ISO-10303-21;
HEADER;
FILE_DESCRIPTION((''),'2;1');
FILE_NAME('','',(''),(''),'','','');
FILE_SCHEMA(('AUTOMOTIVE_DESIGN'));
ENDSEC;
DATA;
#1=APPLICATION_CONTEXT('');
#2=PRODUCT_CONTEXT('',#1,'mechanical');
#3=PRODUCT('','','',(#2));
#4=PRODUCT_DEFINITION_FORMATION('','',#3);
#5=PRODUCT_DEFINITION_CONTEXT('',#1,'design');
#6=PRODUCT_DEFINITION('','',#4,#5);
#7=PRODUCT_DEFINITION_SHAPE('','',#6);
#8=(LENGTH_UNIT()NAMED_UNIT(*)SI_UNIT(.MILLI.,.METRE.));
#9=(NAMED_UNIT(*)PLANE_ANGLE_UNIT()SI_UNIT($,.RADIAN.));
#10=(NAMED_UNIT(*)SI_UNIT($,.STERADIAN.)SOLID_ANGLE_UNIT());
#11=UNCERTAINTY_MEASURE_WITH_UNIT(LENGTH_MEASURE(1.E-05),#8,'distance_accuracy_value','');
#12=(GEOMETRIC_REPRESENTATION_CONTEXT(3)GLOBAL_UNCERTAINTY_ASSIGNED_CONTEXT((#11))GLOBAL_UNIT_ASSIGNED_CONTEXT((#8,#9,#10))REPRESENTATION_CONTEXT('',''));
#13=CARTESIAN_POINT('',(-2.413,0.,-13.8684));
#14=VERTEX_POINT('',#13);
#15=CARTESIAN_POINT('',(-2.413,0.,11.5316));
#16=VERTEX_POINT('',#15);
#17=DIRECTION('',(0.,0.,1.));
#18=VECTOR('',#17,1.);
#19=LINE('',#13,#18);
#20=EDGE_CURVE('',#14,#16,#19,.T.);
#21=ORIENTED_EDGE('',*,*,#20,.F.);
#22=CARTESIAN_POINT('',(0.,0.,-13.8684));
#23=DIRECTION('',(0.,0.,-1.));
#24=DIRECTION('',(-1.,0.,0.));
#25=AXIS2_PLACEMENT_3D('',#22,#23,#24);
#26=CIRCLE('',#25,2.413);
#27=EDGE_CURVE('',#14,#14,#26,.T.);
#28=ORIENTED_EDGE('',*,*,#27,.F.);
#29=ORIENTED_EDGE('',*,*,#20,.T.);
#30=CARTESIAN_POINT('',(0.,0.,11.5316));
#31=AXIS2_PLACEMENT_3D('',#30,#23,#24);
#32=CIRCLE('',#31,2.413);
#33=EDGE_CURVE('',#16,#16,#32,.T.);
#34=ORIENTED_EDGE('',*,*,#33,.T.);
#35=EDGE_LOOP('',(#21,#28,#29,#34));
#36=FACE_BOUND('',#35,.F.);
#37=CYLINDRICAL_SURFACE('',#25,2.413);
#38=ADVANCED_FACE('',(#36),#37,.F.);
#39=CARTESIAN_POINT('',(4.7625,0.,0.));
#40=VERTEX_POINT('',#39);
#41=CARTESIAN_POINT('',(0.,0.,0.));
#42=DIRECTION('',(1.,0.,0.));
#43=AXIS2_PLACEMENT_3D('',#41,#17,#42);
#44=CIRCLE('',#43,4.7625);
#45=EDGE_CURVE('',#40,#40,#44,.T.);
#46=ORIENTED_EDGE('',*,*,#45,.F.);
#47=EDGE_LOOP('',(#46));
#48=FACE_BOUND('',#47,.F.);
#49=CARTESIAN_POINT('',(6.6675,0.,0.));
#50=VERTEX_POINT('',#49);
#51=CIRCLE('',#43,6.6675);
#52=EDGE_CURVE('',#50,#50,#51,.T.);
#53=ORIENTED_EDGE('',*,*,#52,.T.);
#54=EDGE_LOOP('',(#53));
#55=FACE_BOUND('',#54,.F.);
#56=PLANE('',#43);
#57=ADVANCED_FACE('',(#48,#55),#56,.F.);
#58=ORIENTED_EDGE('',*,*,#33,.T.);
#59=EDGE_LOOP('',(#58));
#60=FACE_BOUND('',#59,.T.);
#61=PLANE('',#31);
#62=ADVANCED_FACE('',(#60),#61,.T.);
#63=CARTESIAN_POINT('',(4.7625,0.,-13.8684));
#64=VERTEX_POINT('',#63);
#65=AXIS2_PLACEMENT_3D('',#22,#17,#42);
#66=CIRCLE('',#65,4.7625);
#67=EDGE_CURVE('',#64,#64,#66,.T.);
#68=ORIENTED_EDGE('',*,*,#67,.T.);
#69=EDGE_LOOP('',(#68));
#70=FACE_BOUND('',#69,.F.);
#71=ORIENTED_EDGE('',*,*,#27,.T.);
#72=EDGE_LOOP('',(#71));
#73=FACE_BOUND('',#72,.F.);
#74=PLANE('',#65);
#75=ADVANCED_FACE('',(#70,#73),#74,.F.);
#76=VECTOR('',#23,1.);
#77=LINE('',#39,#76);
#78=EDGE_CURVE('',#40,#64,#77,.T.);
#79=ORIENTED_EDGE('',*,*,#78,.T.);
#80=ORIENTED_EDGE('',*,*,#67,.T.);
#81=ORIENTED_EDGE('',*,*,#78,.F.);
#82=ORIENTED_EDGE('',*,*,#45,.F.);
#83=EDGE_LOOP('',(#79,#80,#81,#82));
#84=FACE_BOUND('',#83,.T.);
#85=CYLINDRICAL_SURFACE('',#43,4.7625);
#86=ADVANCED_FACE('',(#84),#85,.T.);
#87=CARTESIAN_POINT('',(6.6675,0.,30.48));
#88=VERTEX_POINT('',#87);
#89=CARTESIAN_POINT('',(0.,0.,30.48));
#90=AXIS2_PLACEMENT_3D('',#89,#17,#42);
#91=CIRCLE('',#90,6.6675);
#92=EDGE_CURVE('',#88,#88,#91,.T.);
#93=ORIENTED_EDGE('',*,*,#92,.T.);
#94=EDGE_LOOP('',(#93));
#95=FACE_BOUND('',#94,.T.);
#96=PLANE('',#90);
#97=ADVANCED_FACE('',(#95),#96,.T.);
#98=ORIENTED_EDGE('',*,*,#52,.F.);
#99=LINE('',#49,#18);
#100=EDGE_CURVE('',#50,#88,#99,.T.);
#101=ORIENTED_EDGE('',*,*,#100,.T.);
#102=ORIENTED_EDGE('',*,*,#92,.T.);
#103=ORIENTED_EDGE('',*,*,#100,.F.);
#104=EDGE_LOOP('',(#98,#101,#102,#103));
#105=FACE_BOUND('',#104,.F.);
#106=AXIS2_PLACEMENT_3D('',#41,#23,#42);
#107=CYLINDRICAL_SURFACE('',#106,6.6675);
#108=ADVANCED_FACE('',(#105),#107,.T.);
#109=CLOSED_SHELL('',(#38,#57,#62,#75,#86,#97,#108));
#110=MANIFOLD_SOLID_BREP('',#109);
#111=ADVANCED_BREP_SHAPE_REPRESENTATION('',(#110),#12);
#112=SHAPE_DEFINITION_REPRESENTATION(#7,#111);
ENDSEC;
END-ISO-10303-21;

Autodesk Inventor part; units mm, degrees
ref_plane "YZ Plane" through (0, 0, 0) normal (1, 0, 0) x (0, 1, 0)
ref_plane "XZ Plane" through (0, 0, 0) normal (0, 1, 0) x (-1, 0, 0)
ref_plane "XY Plane" through (0, 0, 0) normal (0, 0, 1) x (1, 0, 0)
sketch "Sketch1" plane through (0, 0, 0) normal (0, 0, 1) x (1, 0, 0)
  circle A0 centre (0, 0) radius 6.6675
  circle A1 centre (0, 0) radius 4.7625
  dimension "d0" = 13.335
  dimension "d1" = 9.525
extrude "Extrusion1" add sketch "Sketch1" against normal blind 13.8684 contours A1
extrude "Extrusion2" add sketch "Sketch1" along normal blind 30.48 contours A0 | A1
thread "Thread1" size "3/8-20 UN" class "2A" standard "ANSI Unified Screw Threads" full length
sketch "Sketch2" plane through (0, 0, -13.8684) normal (0, 0, -1) x (-1, 0, 0)
  circle A0 centre (0, 0) radius 4.7625 projected
  circle A1 centre (0, 0) radius 2.413
  dimension "d8" = 4.826
extrude "Extrusion3" cut sketch "Sketch2" against normal blind 25.4 contours A1
thread "Thread2" size "10-24 UNC" class "2B" standard "ANSI Unified Screw Threads" full length
properties part number "Gear housing shaft BD drill motor"
